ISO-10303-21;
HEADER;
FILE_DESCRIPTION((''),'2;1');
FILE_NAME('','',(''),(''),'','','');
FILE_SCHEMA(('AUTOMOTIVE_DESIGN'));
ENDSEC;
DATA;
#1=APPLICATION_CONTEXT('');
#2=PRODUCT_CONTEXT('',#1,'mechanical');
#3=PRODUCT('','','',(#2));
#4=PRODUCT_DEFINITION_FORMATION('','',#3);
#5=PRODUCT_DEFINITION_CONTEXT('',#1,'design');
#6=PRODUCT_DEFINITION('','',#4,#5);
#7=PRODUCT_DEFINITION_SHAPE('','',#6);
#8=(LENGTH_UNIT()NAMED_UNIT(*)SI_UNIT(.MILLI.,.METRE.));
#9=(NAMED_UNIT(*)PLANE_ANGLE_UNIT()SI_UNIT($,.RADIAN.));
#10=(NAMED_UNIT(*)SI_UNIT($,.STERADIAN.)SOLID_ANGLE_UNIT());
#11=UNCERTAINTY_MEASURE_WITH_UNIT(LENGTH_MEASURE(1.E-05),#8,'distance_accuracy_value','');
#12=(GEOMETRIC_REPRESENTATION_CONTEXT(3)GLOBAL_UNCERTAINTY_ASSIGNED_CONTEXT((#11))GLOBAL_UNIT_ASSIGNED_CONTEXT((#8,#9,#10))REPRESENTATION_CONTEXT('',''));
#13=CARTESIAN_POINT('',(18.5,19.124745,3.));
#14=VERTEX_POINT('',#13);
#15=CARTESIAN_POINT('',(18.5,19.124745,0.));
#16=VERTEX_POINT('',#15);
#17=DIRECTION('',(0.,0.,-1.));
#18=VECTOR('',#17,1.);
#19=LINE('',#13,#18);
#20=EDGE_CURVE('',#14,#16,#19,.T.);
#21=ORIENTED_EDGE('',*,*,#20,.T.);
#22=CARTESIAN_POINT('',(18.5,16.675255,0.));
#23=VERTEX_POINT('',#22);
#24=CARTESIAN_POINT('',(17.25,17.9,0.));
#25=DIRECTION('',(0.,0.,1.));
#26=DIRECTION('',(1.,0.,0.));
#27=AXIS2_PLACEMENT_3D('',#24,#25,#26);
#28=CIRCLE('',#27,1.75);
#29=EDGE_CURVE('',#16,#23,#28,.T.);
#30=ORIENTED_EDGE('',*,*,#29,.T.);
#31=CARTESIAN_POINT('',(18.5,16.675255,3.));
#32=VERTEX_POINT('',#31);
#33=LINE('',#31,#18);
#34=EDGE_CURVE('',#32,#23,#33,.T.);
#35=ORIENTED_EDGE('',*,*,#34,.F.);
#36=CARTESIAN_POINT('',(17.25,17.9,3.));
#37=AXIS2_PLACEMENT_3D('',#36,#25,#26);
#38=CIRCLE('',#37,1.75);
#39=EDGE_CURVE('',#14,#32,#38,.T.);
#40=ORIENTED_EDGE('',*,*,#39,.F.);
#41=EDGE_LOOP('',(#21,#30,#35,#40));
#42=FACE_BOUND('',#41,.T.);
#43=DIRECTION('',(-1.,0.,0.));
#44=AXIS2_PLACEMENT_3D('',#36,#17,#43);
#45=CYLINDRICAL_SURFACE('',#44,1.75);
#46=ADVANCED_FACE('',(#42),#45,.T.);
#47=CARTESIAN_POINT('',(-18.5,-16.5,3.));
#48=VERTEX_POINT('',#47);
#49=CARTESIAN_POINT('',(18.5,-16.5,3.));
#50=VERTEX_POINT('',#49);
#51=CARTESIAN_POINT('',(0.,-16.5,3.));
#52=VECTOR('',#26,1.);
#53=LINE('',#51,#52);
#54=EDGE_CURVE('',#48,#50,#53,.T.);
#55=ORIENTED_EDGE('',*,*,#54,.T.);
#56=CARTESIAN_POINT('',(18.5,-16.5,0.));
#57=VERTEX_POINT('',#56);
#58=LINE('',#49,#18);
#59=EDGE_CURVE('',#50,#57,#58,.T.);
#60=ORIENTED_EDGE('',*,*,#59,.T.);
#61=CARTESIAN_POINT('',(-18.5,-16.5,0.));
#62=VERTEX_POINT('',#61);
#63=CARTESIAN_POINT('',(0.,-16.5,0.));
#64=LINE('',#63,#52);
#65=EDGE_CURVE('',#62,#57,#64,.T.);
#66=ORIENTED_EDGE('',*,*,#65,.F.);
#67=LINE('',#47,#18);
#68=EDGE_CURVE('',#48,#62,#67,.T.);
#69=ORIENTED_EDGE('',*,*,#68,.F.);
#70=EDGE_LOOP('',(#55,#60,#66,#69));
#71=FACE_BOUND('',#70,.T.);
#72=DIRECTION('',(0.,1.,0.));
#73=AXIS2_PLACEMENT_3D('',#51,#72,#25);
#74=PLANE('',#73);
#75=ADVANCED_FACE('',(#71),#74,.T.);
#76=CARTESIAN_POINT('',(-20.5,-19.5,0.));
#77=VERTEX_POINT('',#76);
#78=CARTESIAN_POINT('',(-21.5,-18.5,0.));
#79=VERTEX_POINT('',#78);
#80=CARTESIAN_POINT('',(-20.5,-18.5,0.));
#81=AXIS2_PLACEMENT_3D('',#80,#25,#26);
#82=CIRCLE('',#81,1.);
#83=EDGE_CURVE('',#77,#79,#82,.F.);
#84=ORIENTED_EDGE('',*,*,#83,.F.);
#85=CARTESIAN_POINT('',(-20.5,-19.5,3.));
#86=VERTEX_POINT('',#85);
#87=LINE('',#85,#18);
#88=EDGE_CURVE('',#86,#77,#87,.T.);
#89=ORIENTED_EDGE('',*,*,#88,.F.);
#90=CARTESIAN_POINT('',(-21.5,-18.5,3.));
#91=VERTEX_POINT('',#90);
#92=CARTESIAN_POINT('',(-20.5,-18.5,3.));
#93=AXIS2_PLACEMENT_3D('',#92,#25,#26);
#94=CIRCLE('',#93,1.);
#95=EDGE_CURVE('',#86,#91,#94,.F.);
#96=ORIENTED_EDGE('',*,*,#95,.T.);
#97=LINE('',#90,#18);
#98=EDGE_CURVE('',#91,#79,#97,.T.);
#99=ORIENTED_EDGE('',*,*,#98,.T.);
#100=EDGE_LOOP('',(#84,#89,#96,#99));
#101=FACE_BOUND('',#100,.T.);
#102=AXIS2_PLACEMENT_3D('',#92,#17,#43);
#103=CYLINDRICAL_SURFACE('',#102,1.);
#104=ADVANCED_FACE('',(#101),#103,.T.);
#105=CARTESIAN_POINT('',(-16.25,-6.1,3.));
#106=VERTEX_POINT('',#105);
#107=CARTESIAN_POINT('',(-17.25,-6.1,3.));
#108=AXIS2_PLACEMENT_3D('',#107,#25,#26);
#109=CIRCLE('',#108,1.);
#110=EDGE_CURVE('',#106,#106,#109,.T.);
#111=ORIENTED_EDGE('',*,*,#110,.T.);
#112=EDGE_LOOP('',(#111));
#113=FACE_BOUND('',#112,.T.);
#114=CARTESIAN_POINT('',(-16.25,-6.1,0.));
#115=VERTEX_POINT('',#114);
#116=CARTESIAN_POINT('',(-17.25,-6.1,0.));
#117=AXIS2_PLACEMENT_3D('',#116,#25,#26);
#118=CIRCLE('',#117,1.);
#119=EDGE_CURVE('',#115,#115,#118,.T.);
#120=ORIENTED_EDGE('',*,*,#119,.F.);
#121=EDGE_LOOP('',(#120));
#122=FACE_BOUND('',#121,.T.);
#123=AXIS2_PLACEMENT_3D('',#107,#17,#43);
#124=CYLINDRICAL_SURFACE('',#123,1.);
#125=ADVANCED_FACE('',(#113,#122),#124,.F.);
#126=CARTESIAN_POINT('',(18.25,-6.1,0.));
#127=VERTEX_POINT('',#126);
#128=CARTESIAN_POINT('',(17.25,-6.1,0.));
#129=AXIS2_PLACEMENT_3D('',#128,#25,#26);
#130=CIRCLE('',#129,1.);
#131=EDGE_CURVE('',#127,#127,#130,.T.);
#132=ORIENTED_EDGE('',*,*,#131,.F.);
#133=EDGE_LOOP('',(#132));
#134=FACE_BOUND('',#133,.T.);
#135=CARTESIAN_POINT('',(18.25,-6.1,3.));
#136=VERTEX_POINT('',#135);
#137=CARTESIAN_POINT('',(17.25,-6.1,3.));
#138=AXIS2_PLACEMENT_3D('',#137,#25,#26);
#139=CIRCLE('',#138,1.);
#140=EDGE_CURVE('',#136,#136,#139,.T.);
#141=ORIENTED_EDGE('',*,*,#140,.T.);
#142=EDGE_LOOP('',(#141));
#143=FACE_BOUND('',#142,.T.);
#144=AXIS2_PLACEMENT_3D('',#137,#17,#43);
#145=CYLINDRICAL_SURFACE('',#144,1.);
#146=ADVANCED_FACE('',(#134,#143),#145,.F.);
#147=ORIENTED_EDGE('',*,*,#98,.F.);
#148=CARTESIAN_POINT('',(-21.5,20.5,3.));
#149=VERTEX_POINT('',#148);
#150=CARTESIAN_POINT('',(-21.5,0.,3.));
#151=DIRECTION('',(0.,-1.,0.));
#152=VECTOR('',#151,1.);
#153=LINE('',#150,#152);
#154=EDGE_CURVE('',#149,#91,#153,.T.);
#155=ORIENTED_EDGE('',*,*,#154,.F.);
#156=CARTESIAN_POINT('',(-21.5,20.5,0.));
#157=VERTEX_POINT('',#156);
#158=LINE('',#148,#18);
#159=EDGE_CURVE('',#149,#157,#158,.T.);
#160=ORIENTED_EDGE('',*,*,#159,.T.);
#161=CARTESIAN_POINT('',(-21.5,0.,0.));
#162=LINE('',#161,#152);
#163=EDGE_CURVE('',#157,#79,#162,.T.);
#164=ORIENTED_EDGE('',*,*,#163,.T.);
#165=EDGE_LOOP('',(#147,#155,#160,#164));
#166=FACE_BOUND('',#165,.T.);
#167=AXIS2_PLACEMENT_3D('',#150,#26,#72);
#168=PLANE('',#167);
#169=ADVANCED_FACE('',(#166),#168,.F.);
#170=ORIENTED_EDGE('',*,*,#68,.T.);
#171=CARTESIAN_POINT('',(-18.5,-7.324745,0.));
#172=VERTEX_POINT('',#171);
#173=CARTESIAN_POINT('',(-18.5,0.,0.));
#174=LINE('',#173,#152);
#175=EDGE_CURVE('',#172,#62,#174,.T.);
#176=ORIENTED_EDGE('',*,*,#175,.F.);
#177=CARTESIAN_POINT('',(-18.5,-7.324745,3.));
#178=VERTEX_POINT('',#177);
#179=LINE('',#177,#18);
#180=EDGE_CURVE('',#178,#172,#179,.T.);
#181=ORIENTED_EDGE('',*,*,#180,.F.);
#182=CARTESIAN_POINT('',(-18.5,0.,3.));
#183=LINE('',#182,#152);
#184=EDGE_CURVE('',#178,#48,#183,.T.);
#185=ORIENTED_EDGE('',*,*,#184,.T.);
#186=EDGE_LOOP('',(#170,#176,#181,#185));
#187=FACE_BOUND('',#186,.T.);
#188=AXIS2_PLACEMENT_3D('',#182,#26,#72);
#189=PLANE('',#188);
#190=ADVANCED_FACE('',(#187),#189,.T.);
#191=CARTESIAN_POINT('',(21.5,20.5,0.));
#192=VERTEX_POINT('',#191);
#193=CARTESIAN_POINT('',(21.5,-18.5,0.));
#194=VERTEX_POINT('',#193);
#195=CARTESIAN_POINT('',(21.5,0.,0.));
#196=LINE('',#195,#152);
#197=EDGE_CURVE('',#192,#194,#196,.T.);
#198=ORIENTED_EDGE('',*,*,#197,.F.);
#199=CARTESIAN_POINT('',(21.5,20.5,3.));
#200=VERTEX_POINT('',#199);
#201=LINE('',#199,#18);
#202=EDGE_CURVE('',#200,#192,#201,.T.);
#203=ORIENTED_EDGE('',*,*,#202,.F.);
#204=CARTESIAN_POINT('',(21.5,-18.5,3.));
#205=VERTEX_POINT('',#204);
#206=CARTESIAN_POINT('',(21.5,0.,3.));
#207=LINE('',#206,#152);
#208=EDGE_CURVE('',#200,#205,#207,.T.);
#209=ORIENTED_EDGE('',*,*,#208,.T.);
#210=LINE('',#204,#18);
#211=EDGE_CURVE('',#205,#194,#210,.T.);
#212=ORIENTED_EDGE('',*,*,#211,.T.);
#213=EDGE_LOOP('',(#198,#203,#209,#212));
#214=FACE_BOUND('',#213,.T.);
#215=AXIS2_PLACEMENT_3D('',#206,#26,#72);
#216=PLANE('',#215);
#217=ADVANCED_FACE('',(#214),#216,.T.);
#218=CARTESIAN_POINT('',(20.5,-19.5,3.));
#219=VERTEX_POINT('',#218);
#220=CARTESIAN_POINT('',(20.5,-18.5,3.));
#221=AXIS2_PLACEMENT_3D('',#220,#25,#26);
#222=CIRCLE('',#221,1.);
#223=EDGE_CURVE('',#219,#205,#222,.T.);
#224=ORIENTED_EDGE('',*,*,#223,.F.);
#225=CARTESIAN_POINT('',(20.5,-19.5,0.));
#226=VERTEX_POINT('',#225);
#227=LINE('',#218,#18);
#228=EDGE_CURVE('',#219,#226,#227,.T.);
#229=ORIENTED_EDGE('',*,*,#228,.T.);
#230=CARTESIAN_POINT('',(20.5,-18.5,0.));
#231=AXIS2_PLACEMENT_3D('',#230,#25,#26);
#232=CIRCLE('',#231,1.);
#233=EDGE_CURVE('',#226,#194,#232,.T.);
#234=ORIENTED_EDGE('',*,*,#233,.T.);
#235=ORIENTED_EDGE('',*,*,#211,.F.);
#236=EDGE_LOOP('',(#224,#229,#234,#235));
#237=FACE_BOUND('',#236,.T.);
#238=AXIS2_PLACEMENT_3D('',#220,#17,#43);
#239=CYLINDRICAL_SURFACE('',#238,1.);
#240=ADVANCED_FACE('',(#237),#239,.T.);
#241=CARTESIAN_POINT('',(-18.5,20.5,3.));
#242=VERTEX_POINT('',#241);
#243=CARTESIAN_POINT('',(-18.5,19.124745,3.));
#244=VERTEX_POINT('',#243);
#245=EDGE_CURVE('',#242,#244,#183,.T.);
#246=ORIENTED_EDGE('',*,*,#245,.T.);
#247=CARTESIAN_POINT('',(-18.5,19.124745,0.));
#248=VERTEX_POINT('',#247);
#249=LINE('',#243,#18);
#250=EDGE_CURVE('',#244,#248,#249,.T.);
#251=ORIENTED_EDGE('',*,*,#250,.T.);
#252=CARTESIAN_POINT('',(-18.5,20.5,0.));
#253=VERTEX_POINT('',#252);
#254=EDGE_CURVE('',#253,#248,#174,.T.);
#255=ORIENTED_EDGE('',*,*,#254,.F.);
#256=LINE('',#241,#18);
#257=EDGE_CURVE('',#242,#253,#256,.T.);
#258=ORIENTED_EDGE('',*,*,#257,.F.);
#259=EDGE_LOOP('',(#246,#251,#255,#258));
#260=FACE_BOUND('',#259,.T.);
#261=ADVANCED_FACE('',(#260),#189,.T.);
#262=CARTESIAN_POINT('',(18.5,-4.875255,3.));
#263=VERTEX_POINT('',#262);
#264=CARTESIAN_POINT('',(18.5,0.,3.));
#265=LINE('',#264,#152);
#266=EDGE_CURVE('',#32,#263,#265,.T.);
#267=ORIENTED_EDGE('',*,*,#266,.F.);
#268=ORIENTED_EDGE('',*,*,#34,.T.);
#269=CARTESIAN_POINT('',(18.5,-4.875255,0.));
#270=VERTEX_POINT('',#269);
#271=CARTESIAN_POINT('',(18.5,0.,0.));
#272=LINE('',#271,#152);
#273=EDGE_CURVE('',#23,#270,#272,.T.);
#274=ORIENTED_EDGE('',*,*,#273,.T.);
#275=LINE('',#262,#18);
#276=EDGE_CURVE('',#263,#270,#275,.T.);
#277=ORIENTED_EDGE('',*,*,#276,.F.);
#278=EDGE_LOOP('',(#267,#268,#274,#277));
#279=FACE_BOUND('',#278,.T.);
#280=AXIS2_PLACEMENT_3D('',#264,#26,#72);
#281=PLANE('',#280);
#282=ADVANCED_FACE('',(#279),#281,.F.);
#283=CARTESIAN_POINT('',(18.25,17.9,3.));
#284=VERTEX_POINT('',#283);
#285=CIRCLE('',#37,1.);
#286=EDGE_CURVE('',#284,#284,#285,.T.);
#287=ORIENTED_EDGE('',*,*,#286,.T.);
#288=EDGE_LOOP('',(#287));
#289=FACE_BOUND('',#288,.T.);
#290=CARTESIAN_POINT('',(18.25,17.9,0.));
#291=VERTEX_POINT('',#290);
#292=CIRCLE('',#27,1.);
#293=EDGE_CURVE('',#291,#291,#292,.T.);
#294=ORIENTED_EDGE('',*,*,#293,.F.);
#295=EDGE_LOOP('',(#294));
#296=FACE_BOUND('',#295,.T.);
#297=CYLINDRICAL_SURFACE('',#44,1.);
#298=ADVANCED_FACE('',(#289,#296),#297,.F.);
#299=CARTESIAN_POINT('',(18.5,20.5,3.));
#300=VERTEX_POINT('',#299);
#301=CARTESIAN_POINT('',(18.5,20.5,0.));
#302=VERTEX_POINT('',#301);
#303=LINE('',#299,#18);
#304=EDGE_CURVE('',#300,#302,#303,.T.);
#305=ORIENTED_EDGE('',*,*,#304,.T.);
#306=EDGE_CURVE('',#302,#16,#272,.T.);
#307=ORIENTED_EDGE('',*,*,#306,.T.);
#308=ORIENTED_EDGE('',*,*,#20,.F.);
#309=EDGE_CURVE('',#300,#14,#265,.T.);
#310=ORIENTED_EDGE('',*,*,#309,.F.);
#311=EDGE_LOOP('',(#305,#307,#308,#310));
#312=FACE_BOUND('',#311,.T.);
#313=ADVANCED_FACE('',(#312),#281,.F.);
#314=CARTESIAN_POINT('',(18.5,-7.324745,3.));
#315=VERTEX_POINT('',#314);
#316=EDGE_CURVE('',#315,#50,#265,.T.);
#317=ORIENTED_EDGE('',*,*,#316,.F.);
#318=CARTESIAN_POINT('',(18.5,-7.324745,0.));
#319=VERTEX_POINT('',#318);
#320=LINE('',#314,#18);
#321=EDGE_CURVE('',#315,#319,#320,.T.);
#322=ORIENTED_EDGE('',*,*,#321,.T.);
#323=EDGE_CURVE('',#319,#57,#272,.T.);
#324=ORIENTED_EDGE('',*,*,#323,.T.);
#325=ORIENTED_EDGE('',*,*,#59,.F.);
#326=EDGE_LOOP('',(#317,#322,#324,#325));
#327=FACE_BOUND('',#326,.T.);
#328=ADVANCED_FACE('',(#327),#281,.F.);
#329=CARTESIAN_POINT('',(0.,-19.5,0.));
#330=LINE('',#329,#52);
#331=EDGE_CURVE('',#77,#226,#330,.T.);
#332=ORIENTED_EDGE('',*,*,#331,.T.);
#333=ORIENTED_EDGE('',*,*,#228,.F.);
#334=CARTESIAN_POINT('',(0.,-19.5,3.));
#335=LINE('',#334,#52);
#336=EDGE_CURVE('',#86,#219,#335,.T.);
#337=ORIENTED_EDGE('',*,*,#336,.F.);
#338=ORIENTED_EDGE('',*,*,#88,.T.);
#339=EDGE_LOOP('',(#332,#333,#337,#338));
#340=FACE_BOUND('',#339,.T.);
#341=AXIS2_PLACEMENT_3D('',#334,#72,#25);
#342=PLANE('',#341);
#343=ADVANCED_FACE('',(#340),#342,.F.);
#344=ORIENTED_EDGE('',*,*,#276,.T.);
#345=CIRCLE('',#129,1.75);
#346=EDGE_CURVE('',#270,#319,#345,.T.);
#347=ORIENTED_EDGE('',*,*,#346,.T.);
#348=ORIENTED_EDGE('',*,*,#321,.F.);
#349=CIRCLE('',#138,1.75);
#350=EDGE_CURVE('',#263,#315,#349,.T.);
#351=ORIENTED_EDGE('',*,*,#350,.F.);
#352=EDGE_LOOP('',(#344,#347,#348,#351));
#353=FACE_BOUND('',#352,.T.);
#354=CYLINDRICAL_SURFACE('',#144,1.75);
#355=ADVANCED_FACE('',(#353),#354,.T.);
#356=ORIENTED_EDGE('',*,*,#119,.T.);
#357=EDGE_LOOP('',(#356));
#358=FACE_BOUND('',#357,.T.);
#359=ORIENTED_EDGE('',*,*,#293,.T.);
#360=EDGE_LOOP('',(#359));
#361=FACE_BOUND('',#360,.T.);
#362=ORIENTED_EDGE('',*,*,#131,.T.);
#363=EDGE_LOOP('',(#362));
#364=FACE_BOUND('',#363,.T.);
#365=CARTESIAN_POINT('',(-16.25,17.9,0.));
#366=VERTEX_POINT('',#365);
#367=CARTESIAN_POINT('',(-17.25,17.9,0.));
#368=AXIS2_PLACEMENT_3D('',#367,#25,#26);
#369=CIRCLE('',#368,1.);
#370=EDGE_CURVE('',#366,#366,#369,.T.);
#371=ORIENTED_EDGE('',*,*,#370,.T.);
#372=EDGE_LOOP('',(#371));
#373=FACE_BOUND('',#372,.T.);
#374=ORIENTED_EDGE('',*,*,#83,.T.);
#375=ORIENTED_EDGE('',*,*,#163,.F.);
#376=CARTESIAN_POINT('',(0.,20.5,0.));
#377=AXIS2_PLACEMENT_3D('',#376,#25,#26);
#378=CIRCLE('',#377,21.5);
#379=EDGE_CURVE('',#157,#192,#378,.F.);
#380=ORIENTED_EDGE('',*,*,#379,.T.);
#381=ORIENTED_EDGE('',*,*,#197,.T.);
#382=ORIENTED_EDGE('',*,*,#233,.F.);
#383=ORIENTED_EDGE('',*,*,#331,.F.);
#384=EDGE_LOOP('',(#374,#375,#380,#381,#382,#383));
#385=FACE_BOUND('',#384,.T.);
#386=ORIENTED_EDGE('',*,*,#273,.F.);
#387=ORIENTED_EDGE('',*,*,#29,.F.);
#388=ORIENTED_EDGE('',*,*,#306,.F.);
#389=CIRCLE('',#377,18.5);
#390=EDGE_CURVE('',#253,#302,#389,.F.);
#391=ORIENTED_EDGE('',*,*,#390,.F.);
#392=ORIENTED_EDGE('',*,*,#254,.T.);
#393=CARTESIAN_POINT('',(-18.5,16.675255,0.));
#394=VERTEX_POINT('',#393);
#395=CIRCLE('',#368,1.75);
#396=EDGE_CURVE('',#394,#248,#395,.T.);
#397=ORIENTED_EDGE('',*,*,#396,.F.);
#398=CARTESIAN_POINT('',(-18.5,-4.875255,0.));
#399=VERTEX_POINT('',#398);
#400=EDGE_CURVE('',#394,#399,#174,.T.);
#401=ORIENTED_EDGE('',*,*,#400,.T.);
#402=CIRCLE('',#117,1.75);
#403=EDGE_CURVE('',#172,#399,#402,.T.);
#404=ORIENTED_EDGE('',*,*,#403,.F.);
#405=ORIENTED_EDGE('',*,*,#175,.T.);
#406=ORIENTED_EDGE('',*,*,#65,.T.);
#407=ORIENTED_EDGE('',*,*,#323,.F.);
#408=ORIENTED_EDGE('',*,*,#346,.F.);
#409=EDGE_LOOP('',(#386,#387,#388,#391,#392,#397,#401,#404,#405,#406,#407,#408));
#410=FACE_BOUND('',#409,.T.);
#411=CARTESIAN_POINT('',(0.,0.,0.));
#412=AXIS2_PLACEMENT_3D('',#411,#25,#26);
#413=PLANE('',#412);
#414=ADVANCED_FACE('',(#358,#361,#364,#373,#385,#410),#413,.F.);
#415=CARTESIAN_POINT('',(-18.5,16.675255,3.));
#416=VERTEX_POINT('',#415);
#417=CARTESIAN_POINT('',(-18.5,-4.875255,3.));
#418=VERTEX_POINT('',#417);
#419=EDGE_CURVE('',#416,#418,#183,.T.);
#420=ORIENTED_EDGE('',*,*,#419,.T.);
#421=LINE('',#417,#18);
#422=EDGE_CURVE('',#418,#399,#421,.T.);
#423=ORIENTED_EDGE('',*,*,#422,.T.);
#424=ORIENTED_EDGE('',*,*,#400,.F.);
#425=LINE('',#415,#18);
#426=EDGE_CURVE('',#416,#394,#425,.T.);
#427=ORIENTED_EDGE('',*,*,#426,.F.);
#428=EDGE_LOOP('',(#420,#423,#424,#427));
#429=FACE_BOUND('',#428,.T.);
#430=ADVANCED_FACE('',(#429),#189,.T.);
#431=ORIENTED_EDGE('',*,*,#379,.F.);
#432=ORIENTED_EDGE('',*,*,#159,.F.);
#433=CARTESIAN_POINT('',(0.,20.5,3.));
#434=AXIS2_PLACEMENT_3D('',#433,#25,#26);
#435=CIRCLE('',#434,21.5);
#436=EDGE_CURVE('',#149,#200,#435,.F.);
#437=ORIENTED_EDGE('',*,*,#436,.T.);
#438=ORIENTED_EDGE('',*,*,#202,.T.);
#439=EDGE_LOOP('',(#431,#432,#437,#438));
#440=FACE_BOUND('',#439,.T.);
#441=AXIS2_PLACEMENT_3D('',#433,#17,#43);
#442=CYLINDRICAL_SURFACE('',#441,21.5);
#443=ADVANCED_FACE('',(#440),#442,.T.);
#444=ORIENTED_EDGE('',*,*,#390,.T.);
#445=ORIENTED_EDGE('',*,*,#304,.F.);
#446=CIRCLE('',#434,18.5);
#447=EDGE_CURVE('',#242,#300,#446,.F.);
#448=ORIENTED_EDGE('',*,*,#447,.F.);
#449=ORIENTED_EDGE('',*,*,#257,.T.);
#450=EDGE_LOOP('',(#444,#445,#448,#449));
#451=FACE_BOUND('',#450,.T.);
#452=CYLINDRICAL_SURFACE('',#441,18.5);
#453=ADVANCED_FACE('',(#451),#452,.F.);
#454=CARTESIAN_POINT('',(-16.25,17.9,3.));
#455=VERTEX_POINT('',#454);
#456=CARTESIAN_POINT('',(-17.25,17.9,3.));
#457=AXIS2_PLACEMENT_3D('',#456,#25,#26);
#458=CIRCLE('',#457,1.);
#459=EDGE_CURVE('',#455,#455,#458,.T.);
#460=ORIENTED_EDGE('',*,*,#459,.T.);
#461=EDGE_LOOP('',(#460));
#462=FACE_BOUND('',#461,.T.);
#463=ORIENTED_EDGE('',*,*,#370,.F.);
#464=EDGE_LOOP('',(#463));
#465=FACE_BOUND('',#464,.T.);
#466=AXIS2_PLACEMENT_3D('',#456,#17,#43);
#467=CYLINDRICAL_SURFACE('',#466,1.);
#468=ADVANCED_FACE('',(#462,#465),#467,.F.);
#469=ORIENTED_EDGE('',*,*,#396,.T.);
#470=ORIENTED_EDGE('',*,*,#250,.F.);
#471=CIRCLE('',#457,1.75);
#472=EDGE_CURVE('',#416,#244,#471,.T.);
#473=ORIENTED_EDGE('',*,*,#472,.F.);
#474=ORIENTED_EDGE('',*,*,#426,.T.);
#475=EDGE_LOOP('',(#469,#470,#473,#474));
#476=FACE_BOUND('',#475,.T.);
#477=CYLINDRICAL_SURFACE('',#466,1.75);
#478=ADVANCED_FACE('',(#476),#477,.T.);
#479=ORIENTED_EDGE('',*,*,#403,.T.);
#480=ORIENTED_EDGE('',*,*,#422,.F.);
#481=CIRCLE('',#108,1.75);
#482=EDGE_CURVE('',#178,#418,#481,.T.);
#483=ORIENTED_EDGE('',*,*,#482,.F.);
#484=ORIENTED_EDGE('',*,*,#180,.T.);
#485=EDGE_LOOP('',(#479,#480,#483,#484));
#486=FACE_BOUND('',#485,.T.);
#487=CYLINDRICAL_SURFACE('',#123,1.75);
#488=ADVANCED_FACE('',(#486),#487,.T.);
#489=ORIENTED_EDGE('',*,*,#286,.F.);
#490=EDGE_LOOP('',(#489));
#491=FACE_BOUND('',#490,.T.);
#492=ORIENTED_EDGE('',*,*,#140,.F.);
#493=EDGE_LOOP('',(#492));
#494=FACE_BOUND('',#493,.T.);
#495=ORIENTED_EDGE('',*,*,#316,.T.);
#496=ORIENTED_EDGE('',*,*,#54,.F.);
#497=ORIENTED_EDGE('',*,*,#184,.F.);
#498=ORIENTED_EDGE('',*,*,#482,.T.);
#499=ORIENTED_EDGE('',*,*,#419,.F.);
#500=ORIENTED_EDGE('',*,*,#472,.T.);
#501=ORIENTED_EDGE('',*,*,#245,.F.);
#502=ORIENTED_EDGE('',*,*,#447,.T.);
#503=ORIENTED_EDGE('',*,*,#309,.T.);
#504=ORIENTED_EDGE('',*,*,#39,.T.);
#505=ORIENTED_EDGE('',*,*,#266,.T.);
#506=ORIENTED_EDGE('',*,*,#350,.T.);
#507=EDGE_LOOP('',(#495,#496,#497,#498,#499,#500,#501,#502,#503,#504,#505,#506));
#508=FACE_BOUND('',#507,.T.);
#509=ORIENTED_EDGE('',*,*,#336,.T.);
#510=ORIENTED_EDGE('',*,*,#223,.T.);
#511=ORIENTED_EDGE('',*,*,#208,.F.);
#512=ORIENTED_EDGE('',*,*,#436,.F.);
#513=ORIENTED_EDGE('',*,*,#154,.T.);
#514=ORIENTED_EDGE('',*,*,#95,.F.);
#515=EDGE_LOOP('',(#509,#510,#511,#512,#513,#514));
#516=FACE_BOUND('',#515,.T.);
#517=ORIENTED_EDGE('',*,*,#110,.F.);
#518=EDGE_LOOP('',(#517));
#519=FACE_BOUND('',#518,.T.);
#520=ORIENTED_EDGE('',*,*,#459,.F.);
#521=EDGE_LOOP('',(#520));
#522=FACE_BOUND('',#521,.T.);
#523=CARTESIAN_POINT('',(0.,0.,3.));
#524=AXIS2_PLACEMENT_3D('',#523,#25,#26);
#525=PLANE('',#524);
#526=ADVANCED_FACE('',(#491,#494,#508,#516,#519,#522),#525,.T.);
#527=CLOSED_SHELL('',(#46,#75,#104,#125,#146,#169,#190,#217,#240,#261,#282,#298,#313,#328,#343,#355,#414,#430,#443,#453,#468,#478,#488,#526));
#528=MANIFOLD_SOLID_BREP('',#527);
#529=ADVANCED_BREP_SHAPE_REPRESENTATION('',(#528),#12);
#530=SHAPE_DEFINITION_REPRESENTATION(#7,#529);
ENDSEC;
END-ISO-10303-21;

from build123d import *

# Parameters (mm, degrees)
SKETCH1_R           = 1
BOSS_EXTRUDE1_DEPTH = 3


with BuildPart() as part:
    # Sketch1 → Boss-Extrude1 (new body)
    with BuildSketch(Plane.XY):
        with BuildLine():
            ThreePointArc((21.5, 20.5), (0, 42), (-21.5, 20.5))
            Line((-21.5, 20.5), (-21.5, -18.5))
            ThreePointArc((-21.5, -18.5), (-21.207106781, -19.207106781), (-20.5, -19.5))
            Line((-20.5, -19.5), (20.5, -19.5))
            ThreePointArc((20.5, -19.5), (21.207106781, -19.207106781), (21.5, -18.5))
            Line((21.5, -18.5), (21.5, 20.5))
        make_face()
        with Locations((-17.25, -6.1)):
            Circle(SKETCH1_R, mode=Mode.SUBTRACT)
        with Locations((-17.25, 17.9)):
            Circle(SKETCH1_R, mode=Mode.SUBTRACT)
        with BuildLine():
            ThreePointArc((-18.5, -7.324744871), (-15.636648903, -6.77793675), (-17.25, -4.35))
            ThreePointArc((-17.25, -4.35), (-17.92793675, -4.486648903), (-18.5, -4.875255129))
            Line((-18.5, -4.875255129), (-18.5, 16.675255129))
            ThreePointArc((-18.5, 16.675255129), (-17.92793675, 16.286648903), (-17.25, 16.15))
            ThreePointArc((-17.25, 16.15), (-15.636648903, 18.57793675), (-18.5, 19.124744871))
            Line((-18.5, 19.124744871), (-18.5, 20.5))
            ThreePointArc((-18.5, 20.5), (0, 39), (18.5, 20.5))
            Line((18.5, 20.5), (18.5, 19.124744871))
            ThreePointArc((18.5, 19.124744871), (15.636648903, 18.57793675), (17.25, 16.15))
            ThreePointArc((17.25, 16.15), (17.92793675, 16.286648903), (18.5, 16.675255129))
            Line((18.5, 16.675255129), (18.5, -4.875255129))
            ThreePointArc((18.5, -4.875255129), (17.92793675, -4.486648903), (17.25, -4.35))
            ThreePointArc((17.25, -4.35), (15.636648903, -6.77793675), (18.5, -7.324744871))
            Line((18.5, -7.324744871), (18.5, -16.5))
            Line((18.5, -16.5), (-18.5, -16.5))
            Line((-18.5, -16.5), (-18.5, -7.324744871))
        make_face(mode=Mode.SUBTRACT)
        with Locations((17.25, 17.9)):
            Circle(SKETCH1_R, mode=Mode.SUBTRACT)
        with Locations((17.25, -6.1)):
            Circle(SKETCH1_R, mode=Mode.SUBTRACT)
    extrude(amount=BOSS_EXTRUDE1_DEPTH)


solid = part.part
